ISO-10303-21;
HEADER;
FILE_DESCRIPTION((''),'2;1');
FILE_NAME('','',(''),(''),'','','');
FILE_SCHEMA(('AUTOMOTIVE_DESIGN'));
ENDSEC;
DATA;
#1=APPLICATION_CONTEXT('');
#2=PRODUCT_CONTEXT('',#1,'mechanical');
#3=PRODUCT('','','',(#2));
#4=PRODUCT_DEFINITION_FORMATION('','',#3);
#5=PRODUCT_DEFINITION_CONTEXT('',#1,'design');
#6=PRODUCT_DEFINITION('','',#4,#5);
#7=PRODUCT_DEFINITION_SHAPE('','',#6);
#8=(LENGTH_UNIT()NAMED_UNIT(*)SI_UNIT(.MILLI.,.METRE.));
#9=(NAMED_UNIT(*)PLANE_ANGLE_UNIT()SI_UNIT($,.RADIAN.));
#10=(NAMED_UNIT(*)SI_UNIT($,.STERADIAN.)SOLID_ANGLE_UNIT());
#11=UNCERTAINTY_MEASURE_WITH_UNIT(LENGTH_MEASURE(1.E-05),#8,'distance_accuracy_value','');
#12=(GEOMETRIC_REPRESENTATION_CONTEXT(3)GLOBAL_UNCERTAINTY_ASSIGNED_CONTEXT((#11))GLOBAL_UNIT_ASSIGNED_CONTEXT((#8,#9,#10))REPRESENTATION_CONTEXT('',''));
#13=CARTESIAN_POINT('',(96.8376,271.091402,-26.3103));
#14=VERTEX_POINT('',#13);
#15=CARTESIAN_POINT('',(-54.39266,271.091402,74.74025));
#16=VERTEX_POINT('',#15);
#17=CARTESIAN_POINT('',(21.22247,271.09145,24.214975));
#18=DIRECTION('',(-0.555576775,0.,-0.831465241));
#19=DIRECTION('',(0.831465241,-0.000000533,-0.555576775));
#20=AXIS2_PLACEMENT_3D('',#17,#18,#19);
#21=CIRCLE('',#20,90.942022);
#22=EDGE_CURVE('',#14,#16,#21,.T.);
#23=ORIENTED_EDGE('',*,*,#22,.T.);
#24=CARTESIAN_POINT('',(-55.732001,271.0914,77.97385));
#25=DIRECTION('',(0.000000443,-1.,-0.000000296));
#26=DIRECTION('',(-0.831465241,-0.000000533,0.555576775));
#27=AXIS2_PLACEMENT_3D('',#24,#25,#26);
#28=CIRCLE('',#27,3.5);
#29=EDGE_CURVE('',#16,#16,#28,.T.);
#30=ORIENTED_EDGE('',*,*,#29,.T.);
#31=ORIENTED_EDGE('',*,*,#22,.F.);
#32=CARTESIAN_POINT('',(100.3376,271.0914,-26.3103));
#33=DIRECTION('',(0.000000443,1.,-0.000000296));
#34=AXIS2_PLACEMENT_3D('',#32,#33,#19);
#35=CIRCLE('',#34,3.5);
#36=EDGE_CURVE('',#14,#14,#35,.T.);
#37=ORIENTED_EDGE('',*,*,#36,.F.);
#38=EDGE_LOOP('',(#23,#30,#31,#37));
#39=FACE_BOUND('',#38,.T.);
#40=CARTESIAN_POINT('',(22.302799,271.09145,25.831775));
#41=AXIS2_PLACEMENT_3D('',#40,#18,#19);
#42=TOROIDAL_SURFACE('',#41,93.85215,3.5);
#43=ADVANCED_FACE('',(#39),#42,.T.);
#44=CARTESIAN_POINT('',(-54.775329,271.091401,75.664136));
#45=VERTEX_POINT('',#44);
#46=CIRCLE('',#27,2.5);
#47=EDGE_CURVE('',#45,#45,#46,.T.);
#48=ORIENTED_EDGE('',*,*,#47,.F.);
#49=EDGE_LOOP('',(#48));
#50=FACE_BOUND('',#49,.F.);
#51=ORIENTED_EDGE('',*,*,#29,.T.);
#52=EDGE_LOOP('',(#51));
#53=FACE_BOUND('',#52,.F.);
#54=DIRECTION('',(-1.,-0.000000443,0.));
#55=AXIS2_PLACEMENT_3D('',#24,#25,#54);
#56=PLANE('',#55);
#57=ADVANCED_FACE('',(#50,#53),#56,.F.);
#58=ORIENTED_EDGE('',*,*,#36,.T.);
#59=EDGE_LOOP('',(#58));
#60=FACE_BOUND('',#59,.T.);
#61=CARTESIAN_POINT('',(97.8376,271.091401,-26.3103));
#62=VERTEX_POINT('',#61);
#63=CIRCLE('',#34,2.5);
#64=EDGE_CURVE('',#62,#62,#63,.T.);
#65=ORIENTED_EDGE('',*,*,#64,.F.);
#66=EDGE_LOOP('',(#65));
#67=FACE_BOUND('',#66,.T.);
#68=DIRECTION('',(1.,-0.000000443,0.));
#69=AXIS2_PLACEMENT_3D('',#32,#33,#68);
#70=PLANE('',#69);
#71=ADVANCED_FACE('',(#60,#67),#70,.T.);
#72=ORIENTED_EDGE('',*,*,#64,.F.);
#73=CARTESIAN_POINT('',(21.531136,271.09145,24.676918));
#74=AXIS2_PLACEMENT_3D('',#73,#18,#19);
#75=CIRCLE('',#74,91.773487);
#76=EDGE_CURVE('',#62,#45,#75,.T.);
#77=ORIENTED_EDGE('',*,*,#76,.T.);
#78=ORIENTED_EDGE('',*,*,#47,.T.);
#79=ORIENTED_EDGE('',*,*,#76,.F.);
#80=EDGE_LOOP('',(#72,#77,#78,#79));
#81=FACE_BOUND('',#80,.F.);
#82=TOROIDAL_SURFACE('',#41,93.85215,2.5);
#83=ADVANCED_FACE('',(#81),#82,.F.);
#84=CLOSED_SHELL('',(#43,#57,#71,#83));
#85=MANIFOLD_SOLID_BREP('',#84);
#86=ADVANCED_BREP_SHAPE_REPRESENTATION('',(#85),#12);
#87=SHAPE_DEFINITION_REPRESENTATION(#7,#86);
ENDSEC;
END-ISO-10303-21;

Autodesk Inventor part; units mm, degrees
ref_plane "YZ Plane" through (0, 0, 0) normal (1, 0, 0) x (0, 1, 0)
ref_plane "XZ Plane" through (0, 0, 0) normal (0, 1, 0) x (-1, 0, 0)
ref_plane "XY Plane" through (0, 0, 0) normal (0, 0, 1) x (1, 0, 0)
ref_plane "РабПлоскость1" through (100.3376, 271.0914, -26.3103) normal (-0.5556, 0, -0.8315) x (0, -1, 0)
sketch "Эскиз2" plane through (100.3376, 271.0914, -26.3103) normal (-0.5556, 0, -0.8315) x (0, -1, 0)
  arc A0 (0, 0) -> (0, 187.7043) centre (0, 93.8521) ccw
  point P0 (271.0914, 98.0449)
ref_plane "РабПлоскость2" through (107.3376, 271.0914, -26.3103) normal (0, 1, 0) x (-1, 0, 0)
sketch "Эскиз3" plane through (107.3376, 271.0914, -26.3103) normal (0, 1, 0) x (-1, 0, 0)
  circle A0 centre (7, 0) radius 3.5 projected
  circle A1 centre (7, 0) radius 2.5 projected
  point P0 (107.3376, 26.3103)
sweep "Сдвиг1" add profiles "Эскиз3" path "Эскиз2"
properties part number "winding_not_formed_4_A"
